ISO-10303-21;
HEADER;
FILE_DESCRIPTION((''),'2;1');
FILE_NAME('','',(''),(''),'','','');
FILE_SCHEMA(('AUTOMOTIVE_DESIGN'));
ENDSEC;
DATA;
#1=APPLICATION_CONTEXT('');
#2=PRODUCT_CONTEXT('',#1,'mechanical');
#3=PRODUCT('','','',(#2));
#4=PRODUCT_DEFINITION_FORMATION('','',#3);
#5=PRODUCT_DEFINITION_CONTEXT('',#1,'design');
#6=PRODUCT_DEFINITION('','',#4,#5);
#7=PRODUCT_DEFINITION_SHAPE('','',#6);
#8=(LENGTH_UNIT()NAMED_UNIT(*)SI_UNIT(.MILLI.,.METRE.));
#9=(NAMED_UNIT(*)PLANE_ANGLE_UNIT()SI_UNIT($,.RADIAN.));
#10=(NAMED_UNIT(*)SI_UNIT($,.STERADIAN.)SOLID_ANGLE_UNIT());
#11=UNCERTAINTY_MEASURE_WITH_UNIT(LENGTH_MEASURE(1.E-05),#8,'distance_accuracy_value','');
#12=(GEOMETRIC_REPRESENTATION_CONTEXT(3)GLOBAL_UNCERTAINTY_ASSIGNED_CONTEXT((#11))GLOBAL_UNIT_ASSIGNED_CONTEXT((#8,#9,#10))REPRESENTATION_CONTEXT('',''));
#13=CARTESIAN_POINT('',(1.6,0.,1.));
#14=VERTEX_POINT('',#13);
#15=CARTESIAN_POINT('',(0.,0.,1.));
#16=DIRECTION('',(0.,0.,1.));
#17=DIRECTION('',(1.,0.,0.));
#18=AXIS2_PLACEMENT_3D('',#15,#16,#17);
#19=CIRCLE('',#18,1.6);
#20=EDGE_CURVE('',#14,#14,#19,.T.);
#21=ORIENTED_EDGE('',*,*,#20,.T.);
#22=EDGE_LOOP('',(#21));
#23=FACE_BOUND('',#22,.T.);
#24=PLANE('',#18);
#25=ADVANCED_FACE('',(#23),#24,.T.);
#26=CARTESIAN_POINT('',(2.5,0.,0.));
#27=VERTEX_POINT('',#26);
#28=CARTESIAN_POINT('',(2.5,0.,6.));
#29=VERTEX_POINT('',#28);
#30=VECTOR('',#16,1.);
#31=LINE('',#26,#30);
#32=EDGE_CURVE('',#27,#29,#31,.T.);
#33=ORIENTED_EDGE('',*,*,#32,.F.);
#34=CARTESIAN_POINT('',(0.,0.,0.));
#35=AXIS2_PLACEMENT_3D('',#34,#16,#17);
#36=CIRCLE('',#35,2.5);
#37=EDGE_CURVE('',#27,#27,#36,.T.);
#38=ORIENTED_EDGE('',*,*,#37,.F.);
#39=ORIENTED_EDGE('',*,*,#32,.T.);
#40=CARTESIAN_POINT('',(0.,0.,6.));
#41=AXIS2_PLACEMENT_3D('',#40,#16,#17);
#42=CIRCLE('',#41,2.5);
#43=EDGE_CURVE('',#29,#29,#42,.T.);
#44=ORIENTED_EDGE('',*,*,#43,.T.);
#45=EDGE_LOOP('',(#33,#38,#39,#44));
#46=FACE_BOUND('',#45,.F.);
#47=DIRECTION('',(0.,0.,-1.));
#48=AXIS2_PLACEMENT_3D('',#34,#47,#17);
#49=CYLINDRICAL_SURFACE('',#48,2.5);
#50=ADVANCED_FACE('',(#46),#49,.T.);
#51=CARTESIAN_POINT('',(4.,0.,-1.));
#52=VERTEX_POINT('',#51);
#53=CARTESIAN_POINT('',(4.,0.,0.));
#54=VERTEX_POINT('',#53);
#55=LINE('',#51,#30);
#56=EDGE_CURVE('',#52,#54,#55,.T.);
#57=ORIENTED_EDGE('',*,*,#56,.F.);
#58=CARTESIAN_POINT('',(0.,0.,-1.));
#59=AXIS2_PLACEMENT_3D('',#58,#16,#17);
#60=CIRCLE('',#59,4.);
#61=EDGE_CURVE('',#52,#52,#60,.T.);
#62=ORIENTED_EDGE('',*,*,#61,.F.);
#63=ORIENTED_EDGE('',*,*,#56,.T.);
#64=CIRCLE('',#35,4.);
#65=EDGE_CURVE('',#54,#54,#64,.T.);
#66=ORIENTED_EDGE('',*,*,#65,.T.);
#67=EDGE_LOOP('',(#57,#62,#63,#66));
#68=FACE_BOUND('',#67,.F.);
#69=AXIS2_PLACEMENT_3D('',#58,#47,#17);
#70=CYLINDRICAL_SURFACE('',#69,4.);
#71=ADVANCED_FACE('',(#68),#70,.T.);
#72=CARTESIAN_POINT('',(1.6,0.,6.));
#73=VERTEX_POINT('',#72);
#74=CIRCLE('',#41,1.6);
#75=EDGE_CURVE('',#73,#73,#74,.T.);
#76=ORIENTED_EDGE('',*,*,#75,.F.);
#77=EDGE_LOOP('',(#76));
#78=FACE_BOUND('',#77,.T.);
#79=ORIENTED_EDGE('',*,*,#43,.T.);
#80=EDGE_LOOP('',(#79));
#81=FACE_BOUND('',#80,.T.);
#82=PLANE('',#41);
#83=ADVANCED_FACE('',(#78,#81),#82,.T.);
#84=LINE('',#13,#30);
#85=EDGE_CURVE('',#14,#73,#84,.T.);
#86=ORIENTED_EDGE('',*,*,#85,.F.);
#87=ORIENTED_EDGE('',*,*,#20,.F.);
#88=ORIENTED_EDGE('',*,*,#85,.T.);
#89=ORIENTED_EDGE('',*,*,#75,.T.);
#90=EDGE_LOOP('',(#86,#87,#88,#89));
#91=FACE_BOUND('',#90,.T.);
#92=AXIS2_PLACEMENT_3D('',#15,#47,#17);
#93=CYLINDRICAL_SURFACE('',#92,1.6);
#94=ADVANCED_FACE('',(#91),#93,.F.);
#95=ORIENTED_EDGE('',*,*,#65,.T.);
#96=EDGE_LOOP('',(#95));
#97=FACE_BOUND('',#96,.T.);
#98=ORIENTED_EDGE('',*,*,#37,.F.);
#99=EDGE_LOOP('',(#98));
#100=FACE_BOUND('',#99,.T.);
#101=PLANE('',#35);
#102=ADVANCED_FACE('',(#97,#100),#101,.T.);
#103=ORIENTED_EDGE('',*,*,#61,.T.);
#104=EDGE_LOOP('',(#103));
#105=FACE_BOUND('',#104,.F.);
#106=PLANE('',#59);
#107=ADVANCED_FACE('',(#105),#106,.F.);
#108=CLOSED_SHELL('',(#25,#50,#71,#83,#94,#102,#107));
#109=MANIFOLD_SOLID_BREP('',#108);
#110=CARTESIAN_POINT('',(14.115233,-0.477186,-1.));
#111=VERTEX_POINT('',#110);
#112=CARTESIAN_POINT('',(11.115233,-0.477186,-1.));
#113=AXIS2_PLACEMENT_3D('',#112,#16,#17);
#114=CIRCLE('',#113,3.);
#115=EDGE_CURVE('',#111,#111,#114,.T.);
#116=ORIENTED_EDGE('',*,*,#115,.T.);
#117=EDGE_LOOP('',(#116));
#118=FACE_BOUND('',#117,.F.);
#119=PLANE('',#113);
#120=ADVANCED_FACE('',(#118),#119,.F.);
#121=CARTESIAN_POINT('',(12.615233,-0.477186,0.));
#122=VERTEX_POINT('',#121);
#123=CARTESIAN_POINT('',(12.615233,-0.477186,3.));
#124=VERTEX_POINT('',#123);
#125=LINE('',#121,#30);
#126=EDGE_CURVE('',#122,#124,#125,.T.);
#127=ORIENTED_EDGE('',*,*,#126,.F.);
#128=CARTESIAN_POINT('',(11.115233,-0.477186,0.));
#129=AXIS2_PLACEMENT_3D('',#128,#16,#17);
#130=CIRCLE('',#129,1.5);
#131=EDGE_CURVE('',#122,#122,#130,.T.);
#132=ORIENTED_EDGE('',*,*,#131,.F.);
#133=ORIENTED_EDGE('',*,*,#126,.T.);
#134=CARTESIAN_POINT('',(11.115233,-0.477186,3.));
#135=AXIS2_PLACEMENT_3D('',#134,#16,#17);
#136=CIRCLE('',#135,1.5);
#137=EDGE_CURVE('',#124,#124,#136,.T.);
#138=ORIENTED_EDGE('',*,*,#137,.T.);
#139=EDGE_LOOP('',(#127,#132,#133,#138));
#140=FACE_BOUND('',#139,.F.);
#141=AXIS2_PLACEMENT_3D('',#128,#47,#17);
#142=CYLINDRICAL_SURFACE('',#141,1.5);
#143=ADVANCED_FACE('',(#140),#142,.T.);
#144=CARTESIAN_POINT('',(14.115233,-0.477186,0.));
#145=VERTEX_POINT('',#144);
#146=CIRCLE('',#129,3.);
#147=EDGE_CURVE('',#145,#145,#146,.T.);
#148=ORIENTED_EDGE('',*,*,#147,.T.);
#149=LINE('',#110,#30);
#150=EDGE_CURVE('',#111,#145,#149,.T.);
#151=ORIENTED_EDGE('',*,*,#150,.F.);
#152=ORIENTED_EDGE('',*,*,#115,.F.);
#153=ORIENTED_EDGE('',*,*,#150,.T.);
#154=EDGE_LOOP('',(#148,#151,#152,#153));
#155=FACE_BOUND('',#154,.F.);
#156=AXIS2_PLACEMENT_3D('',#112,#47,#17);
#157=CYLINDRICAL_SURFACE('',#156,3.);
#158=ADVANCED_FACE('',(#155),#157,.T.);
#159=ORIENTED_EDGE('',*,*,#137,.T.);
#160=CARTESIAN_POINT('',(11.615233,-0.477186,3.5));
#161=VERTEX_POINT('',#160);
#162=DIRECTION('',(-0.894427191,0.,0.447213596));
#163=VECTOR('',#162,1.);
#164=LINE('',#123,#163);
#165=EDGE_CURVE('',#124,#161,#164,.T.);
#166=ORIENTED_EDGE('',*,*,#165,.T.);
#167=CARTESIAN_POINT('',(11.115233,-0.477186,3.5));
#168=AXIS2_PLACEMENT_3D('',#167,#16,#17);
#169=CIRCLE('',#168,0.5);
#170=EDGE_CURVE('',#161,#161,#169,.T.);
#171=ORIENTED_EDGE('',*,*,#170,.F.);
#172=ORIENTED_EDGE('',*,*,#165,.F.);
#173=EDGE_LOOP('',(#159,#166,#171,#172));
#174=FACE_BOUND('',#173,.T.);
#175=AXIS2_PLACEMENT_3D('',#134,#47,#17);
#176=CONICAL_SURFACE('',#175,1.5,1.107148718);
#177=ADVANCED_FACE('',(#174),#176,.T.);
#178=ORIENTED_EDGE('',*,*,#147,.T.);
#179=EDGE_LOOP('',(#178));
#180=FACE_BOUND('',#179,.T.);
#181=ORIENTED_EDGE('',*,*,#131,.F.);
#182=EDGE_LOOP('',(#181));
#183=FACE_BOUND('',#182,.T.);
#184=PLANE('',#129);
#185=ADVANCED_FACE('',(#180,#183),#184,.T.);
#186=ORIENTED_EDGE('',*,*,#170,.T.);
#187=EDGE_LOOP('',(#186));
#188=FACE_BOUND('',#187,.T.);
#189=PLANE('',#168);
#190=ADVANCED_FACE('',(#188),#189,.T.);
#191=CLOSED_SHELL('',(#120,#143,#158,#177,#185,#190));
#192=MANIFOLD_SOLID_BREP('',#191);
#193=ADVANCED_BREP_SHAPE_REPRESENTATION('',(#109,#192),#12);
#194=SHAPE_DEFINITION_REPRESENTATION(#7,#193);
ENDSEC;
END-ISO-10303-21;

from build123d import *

# Parameters (mm, degrees)
CYLINDER003_R     = 1.5
CYLINDER003_DEPTH = 3
CYLINDER004_R     = 3
CYLINDER004_DEPTH = 1
CYLINDER001_R     = 4
CYLINDER001_DEPTH = 1
CYLINDER002_R     = 1.6
CYLINDER002_DEPTH = 5
CYLINDER_R        = 2.5
CYLINDER_DEPTH    = 6


with BuildPart() as cone:
    # Cone → Cone (revolve)
    with BuildSketch(Plane(origin=(11.115233, -0.477186, 3), x_dir=(1, 0, 0), z_dir=(0, -1, 0))):
        Polygon((0, 0), (1.5, 0), (0.5, 0.5), (0, 0.5), align=None)
    revolve(axis=Axis((11.115233, -0.477186, 3), (0, 0, 1)))


with BuildPart() as cylinder003:
    # Cylinder003 → Cylinder003 (new body)
    with BuildSketch(Plane(origin=(11.115233, -0.477186, 0), x_dir=(1, 0, 0), z_dir=(0, 0, 1))):
        Circle(CYLINDER003_R)
    extrude(amount=CYLINDER003_DEPTH)


with BuildPart() as fusion001:
    # Cylinder004 → Cylinder004 (new body)
    with BuildSketch(Plane(origin=(11.115233, -0.477186, -1), x_dir=(1, 0, 0), z_dir=(0, 0, 1))):
        Circle(CYLINDER004_R)
    extrude(amount=CYLINDER004_DEPTH)

    # Fusion: union Cylinder003
    add(cylinder003.part)

    # Fusion001: union Cone
    add(cone.part)


with BuildPart() as cylinder001:
    # Cylinder001 → Cylinder001 (new body)
    with BuildSketch(Plane.XY.offset(-1)):
        Circle(CYLINDER001_R)
    extrude(amount=CYLINDER001_DEPTH)


with BuildPart() as cylinder002:
    # Cylinder002 → Cylinder002 (new body)
    with BuildSketch(Plane.XY.offset(1)):
        Circle(CYLINDER002_R)
    extrude(amount=CYLINDER002_DEPTH)


with BuildPart() as fusion002:
    # Cylinder → Cylinder (new body)
    with BuildSketch(Plane.XY):
        Circle(CYLINDER_R)
    extrude(amount=CYLINDER_DEPTH)

    # Cut: cut Cylinder002
    add(cylinder002.part, mode=Mode.SUBTRACT)

    # Fusion002: union Cylinder001
    add(cylinder001.part)


solid = Compound([fusion001.part, fusion002.part])
